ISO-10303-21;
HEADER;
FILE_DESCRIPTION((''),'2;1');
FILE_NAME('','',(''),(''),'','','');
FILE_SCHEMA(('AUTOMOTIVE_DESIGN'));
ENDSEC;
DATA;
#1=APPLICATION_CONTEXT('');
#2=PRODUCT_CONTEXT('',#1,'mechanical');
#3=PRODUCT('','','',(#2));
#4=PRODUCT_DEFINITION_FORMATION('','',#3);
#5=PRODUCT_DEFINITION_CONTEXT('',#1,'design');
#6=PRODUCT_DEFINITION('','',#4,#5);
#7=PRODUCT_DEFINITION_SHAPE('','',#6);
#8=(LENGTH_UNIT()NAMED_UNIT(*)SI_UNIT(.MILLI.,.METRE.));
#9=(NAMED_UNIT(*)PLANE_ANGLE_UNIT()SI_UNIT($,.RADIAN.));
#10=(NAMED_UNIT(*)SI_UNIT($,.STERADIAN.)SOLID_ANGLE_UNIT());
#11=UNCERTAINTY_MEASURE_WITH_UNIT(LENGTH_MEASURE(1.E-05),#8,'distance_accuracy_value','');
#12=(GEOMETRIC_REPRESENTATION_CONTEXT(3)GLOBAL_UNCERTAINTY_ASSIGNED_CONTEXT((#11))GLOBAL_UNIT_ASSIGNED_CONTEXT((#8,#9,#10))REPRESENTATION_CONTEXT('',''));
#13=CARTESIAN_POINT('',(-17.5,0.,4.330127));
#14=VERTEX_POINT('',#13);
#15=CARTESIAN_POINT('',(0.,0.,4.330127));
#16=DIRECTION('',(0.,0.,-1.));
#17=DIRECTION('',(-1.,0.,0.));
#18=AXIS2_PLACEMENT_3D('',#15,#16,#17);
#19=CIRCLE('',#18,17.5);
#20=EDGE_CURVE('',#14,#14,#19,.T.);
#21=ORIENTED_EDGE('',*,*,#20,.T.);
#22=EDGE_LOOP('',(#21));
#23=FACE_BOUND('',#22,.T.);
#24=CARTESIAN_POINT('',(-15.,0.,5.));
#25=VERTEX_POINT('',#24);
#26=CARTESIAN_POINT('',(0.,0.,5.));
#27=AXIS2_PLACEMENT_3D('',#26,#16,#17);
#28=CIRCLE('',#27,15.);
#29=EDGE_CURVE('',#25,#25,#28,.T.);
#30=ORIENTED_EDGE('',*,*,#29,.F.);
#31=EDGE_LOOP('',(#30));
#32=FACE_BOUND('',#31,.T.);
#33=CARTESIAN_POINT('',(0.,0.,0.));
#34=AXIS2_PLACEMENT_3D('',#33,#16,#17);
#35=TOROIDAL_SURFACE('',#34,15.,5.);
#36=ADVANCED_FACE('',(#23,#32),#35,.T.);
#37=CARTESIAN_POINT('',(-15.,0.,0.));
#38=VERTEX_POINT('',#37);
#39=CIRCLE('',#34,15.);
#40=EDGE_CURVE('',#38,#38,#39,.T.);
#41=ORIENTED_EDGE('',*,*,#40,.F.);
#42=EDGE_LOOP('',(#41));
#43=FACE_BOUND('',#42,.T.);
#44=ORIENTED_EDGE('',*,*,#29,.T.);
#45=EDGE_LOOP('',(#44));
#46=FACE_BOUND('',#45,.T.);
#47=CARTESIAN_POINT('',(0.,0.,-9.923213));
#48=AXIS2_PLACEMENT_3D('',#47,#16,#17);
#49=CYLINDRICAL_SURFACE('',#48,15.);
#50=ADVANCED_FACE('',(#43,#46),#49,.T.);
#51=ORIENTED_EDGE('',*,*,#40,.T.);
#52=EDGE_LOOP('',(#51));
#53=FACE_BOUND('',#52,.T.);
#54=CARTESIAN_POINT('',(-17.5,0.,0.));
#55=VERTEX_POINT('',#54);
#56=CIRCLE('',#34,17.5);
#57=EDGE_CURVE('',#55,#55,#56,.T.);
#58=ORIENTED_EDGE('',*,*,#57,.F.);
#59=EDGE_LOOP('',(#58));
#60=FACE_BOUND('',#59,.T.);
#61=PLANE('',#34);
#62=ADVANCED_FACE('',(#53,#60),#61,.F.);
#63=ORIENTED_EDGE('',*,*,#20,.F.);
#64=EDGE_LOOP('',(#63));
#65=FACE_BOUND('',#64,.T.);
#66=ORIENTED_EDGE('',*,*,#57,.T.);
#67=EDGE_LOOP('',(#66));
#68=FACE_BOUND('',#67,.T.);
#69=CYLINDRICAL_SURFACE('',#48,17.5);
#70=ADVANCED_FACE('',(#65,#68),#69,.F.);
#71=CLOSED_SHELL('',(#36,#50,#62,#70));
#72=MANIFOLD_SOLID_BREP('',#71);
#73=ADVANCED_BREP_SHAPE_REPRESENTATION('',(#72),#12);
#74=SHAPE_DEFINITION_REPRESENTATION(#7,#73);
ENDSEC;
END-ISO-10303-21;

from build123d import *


with BuildPart() as part:
    # 草图2 → 旋转1 (revolve)
    with BuildSketch(Plane(origin=(0, 0, 0), x_dir=(0, 0, -1), z_dir=(1, 0, 0))):
        with BuildLine():
            Line((-5, -15), (0, -15))
            Line((0, -15), (0, -17.5))
            Line((0, -17.5), (-4.330127019, -17.5))
            ThreePointArc((-4.330127019, -17.5), (1.294095226, -19.829629131), (5, -15))
            ThreePointArc((5, -15), (0, -10), (-5, -15))
        make_face()
    revolve(axis=Axis((0, 0, -9.923213432), (0, 0, 1)))


solid = part.part
